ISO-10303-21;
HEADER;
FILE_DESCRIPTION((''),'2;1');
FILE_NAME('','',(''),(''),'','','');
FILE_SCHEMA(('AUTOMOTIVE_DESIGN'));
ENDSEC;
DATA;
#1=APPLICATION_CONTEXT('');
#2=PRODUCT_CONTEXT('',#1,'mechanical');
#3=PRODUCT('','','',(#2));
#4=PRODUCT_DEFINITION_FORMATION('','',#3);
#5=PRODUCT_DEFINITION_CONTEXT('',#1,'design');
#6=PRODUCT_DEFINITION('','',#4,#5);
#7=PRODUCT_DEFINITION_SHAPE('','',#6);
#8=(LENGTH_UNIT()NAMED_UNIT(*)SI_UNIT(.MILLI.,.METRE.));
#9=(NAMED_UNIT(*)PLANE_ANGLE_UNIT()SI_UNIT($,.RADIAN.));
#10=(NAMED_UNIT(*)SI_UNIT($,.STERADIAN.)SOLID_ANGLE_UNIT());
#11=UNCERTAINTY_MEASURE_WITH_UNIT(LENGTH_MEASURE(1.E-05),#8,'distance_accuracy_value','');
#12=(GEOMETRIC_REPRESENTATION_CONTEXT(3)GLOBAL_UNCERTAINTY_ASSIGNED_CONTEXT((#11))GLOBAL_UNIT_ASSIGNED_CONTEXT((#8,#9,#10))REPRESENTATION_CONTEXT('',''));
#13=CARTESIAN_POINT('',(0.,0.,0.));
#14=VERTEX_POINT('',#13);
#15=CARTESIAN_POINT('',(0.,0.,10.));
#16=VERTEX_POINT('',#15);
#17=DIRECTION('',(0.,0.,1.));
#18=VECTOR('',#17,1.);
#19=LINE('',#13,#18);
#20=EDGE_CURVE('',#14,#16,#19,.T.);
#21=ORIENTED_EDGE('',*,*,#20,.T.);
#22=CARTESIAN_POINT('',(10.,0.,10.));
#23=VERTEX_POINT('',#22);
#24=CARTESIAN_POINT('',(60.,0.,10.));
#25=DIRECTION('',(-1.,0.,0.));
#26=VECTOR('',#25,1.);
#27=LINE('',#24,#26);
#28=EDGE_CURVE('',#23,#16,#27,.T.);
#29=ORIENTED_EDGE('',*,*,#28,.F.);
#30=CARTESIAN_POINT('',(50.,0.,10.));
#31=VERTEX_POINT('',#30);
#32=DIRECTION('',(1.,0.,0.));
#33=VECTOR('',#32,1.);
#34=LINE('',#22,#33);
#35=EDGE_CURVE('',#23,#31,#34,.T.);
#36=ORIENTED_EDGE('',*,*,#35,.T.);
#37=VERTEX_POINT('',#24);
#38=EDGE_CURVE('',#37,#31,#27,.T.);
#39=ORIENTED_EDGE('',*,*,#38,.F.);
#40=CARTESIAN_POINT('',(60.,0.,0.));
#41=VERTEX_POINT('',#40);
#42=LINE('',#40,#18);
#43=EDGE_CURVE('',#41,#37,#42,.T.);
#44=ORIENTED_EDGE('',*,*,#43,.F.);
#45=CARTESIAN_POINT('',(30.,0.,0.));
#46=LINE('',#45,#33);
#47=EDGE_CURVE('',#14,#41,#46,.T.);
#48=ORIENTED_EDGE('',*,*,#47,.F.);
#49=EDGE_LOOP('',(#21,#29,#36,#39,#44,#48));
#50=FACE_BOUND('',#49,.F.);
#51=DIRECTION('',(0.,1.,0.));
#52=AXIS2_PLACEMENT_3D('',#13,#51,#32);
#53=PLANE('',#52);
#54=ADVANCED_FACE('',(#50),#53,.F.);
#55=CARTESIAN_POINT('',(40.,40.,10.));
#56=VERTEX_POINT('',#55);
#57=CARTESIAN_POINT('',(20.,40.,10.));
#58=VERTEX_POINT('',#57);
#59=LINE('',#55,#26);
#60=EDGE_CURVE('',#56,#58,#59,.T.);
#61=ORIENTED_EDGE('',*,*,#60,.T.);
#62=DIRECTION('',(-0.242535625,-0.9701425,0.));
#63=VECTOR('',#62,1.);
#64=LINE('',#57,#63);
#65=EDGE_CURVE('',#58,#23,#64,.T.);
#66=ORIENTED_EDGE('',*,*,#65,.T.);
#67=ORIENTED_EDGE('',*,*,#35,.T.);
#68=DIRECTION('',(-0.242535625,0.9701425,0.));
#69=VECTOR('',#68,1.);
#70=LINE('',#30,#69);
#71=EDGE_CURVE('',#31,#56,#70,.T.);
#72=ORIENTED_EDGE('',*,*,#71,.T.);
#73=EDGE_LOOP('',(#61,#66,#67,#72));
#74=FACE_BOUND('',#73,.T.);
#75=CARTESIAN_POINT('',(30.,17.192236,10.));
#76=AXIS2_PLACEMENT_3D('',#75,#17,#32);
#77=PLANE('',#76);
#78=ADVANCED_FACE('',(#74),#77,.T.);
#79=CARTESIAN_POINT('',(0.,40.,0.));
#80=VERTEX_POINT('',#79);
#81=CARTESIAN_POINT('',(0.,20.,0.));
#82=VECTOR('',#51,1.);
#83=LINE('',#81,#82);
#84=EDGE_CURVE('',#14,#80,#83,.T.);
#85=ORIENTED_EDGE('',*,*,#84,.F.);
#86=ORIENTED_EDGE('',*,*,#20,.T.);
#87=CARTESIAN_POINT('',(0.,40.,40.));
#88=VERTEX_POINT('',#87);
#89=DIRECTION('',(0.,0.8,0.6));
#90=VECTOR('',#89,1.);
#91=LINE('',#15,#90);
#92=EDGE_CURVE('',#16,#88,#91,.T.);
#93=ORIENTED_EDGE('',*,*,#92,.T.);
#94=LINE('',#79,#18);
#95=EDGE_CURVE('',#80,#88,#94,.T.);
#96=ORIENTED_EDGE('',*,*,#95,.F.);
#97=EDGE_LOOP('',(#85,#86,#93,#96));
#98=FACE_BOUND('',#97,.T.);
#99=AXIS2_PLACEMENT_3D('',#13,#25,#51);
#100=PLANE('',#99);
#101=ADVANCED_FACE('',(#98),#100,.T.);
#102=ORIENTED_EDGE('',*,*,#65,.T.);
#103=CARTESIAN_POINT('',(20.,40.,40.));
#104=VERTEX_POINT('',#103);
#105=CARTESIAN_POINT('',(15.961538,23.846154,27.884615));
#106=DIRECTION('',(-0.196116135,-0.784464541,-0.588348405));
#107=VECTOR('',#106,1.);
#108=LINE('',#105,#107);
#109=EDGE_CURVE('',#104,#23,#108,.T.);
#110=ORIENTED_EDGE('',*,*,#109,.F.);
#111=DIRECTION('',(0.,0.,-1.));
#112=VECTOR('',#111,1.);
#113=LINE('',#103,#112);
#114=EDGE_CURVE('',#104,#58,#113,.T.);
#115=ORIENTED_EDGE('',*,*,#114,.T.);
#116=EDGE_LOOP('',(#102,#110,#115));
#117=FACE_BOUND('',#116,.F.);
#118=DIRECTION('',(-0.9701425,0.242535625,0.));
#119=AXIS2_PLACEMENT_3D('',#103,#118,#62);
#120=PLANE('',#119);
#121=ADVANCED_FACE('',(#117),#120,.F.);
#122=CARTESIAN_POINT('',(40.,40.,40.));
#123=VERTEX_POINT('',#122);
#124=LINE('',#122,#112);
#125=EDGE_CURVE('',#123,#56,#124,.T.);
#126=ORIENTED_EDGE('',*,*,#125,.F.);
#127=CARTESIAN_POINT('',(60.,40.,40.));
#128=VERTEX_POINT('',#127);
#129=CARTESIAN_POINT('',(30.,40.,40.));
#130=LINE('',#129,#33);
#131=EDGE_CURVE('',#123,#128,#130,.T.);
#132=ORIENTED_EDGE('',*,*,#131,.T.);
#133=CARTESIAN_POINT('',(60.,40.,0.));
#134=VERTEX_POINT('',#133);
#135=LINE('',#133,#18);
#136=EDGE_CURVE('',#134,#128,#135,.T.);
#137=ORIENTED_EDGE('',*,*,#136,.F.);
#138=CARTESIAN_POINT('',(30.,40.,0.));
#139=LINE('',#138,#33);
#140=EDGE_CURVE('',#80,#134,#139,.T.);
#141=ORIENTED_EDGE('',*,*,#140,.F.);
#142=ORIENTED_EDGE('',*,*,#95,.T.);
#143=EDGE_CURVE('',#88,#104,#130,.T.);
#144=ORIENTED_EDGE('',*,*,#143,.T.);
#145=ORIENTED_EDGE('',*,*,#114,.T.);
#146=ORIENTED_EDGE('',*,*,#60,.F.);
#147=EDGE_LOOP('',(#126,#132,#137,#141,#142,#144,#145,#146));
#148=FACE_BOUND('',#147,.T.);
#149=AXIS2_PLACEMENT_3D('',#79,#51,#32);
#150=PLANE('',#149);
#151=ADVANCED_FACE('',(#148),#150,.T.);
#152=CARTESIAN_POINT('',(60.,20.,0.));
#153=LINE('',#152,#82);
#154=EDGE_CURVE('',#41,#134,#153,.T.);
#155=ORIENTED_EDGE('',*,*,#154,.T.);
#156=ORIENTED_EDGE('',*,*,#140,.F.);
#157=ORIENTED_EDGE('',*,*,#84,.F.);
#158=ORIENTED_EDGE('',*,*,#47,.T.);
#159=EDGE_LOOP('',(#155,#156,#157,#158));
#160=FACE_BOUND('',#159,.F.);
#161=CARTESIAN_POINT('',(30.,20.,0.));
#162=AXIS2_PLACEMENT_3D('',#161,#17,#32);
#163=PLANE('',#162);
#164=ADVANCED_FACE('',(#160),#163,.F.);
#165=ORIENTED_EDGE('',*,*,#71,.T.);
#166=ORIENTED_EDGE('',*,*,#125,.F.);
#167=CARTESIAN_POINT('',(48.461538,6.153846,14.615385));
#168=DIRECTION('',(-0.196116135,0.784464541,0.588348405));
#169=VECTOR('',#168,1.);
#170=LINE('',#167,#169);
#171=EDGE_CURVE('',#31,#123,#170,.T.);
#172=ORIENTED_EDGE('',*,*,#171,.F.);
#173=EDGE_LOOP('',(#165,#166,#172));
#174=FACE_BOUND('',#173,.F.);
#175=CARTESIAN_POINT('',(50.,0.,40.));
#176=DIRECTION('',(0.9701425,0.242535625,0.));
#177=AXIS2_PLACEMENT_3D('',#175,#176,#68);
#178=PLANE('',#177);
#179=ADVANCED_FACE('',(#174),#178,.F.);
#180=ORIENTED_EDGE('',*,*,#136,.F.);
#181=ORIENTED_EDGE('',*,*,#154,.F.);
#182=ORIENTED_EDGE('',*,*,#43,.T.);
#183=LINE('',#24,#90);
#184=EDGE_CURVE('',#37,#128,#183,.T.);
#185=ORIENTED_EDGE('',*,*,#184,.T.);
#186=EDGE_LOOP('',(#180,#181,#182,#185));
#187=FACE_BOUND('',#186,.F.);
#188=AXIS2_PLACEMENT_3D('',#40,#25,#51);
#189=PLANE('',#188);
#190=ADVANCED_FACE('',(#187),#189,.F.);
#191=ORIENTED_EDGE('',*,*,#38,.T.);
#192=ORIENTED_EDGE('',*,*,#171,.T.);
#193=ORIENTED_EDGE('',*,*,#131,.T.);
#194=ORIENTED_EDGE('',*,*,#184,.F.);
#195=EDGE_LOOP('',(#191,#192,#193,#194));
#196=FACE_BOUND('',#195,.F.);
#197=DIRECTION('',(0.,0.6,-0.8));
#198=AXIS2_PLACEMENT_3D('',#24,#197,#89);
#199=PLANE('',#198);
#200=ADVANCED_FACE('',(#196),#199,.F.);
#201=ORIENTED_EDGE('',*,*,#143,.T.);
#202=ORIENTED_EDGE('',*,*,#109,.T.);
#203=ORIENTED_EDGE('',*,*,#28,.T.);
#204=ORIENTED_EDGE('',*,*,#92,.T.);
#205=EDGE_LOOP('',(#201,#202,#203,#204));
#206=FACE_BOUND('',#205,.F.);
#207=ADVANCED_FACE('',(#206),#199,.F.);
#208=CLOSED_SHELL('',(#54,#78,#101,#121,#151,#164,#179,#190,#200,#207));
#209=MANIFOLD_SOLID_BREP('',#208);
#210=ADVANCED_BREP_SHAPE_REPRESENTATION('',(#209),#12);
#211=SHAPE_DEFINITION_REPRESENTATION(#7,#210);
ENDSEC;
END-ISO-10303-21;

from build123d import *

# Parameters (mm, degrees)
F0_W     = 60
F0_H     = 40
F1_DEPTH = 40
F3_DEPTH = 30
F5_DEPTH = 60


with BuildPart() as f1:
    # F0 (on Top) → F1 (new body)
    with BuildSketch(Plane.XY):
        with Locations((30, 20)):
            Rectangle(F0_W, F0_H)
    extrude(amount=F1_DEPTH)

    # F2 (on face) → F3 (cut)
    with BuildSketch(Plane.XY.offset(40)):
        Polygon((20, 40), (10, 0), (50, 0), (40, 40), align=None)
    extrude(amount=-F3_DEPTH, mode=Mode.SUBTRACT)

    # F4 (on face) → F5 (cut)
    with BuildSketch(Plane.YZ.offset(60)):
        Polygon((0, 10), (40, 40), (0, 40), align=None)
    extrude(amount=-F5_DEPTH, mode=Mode.SUBTRACT)


solid = f1.part
